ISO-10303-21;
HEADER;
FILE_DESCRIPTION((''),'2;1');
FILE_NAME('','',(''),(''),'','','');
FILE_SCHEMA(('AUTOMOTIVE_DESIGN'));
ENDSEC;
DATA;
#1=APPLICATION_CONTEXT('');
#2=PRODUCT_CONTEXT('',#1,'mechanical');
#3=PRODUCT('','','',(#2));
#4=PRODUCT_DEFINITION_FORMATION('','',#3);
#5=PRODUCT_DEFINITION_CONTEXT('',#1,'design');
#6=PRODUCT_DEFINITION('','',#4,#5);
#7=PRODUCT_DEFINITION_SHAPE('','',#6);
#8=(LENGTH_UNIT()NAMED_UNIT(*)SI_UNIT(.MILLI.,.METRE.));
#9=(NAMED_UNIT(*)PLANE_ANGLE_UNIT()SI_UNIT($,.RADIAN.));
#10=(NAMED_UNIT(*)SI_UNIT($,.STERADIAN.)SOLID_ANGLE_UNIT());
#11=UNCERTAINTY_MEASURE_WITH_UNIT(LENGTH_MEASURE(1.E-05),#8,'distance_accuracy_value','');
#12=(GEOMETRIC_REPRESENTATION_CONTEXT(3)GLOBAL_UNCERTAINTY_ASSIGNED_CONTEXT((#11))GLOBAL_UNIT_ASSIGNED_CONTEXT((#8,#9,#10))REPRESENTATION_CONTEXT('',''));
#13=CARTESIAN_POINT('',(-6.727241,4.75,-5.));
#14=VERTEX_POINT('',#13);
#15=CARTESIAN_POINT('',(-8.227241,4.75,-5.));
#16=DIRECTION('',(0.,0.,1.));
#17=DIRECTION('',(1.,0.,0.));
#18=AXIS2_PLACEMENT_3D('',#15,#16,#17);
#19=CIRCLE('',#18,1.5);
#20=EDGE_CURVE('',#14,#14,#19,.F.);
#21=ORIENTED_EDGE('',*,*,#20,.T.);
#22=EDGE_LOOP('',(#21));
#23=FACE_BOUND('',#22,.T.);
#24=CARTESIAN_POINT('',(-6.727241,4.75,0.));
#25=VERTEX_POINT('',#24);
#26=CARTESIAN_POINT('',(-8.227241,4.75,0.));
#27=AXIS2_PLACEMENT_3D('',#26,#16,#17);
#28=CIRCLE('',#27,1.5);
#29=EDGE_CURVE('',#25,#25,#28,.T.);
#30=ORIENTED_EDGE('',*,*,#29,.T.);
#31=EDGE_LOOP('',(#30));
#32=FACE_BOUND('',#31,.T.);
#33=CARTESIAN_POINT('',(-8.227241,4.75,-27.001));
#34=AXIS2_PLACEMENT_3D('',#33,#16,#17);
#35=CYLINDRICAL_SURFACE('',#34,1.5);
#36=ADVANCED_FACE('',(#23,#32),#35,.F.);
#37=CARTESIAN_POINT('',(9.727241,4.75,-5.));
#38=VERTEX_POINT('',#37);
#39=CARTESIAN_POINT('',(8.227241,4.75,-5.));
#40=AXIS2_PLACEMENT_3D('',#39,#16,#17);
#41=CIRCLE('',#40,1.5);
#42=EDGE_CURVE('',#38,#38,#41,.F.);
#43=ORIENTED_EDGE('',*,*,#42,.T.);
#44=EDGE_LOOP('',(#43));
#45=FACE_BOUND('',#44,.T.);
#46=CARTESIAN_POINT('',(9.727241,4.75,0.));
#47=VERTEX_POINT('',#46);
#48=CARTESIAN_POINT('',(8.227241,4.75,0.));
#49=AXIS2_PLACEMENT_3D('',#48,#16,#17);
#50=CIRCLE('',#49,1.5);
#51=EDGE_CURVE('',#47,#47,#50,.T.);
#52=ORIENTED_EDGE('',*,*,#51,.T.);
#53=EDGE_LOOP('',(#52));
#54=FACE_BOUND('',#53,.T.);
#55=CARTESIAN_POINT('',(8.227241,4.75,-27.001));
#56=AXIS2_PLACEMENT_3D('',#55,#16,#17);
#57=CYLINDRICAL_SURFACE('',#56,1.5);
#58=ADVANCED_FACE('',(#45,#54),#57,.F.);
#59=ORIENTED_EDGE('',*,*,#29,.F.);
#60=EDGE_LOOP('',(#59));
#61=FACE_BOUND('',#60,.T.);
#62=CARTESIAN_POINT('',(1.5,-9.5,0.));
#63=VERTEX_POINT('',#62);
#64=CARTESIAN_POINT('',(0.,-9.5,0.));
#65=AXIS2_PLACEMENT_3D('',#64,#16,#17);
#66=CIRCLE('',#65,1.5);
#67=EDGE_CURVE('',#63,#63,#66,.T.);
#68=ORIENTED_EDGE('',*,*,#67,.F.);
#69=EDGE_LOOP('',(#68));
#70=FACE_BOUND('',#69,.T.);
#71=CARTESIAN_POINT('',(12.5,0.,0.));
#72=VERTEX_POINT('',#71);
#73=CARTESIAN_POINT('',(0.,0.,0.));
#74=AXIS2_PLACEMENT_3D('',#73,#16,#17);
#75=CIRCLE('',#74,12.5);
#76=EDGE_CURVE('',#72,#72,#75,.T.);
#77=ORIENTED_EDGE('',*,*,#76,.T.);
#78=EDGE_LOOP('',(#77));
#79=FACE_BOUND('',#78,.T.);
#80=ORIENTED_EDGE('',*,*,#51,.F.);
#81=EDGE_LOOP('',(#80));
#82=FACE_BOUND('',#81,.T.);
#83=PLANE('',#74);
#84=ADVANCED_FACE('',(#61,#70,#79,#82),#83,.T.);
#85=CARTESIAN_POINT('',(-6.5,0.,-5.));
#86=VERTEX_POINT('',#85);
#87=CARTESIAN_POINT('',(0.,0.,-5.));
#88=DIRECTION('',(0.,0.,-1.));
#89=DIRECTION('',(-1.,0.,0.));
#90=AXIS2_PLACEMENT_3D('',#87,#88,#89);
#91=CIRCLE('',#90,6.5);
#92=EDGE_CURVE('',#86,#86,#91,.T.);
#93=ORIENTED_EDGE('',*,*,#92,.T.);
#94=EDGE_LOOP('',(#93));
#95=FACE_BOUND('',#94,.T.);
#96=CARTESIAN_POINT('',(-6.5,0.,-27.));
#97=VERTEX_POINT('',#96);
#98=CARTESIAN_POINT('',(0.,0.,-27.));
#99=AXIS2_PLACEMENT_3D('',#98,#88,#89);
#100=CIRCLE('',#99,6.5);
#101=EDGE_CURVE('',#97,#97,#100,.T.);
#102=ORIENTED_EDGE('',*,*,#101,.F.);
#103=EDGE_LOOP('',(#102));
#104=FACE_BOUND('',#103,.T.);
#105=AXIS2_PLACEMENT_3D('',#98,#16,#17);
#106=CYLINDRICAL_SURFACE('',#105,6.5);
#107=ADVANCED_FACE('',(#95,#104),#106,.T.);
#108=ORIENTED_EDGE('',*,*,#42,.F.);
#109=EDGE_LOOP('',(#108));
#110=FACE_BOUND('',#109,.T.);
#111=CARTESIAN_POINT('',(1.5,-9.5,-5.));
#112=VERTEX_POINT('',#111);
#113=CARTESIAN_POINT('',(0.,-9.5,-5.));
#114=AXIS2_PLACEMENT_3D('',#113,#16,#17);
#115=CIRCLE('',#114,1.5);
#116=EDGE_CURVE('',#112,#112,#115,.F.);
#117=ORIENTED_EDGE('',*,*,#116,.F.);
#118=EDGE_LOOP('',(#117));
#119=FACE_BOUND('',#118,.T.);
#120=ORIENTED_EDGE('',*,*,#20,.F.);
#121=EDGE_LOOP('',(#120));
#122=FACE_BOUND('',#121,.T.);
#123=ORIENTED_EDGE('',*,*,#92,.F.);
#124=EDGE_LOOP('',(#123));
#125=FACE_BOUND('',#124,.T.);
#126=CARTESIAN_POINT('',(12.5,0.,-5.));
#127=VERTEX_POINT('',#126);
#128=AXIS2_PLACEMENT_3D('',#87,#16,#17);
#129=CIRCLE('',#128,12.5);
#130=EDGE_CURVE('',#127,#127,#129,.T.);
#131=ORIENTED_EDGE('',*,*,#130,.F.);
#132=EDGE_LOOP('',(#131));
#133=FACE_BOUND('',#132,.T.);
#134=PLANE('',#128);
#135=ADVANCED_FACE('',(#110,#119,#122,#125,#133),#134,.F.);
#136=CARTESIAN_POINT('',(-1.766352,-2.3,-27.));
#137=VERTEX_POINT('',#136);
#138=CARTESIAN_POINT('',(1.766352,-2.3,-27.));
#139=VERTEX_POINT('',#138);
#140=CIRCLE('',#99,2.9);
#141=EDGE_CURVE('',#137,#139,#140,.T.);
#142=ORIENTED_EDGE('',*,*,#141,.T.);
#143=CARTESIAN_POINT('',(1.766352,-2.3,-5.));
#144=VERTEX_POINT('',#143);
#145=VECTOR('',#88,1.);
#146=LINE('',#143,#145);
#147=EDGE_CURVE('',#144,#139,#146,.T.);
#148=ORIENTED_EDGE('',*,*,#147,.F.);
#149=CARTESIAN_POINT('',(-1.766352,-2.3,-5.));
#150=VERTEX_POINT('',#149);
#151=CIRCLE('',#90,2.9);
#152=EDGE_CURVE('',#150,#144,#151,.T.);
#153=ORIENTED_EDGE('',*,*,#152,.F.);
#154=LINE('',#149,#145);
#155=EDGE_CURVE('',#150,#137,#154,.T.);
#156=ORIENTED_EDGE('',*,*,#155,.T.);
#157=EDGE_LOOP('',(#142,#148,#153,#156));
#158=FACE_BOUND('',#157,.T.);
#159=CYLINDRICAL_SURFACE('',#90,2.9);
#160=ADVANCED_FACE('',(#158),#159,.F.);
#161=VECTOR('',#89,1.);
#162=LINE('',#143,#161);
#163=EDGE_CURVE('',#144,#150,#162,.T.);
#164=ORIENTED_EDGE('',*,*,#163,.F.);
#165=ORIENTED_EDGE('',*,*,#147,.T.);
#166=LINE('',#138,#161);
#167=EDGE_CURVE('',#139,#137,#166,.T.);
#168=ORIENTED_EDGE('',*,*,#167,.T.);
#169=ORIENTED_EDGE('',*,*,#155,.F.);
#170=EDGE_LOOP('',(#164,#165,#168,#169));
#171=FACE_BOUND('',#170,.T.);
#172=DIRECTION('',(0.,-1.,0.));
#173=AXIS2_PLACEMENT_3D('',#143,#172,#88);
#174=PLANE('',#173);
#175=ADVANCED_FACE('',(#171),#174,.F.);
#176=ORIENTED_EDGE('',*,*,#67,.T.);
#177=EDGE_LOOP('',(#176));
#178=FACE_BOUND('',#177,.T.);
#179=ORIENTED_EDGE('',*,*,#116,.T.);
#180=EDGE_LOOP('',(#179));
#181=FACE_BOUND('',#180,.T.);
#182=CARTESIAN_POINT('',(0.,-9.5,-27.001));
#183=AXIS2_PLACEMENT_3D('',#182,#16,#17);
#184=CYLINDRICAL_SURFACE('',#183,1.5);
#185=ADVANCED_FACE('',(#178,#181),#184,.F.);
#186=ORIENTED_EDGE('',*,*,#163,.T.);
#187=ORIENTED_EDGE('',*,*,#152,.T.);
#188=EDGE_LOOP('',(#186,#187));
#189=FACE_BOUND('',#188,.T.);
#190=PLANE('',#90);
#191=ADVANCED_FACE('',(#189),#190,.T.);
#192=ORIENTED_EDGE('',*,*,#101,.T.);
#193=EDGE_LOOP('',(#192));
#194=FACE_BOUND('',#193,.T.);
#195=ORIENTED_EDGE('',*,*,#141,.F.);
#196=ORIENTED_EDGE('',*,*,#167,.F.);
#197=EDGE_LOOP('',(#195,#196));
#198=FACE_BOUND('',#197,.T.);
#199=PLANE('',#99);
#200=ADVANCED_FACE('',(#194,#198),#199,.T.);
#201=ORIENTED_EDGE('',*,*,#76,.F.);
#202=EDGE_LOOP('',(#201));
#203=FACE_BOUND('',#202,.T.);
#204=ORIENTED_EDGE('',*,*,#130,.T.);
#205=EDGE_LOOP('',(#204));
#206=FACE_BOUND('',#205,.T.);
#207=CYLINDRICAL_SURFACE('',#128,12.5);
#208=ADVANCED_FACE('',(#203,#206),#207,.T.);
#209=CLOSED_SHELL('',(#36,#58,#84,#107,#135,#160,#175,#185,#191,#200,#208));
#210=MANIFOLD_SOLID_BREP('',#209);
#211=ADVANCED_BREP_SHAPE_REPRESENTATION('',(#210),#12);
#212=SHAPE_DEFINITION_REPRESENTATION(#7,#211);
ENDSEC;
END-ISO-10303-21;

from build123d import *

# Parameters (mm, degrees)
SKETCH1_R           = 12.5
BOSS_EXTRUDE1_DEPTH = 5
SKETCH2_R           = 6.5
BOSS_EXTRUDE2_DEPTH = 22
CUT_EXTRUDE1_DEPTH  = 22
CUT_EXTRUDE2_REACH  = 34.272
SKETCH4_R           = 1.5


with BuildPart() as part:
    # Sketch1 → Boss-Extrude1 (new body)
    with BuildSketch(Plane.XY):
        Circle(SKETCH1_R)
    extrude(amount=-BOSS_EXTRUDE1_DEPTH)

    # Sketch2 → Boss-Extrude2 (add)
    with BuildSketch(Plane(origin=(0, 0, -5), x_dir=(-1, 0, 0), z_dir=(0, 0, -1))):
        Circle(SKETCH2_R)
    extrude(amount=BOSS_EXTRUDE2_DEPTH)

    # Sketch3 → Cut-Extrude1 (cut)
    with BuildSketch(Plane(origin=(0, 0, -27), x_dir=(-1, 0, 0), z_dir=(0, 0, -1))):
        with BuildLine():
            Line((-1.766352173, -2.3), (1.766352173, -2.3))
            ThreePointArc((1.766352173, -2.3), (0, 2.9), (-1.766352173, -2.3))
        make_face()
    extrude(amount=-CUT_EXTRUDE1_DEPTH, mode=Mode.SUBTRACT)

    # Sketch4 → Cut-Extrude2 (cut, up to next)
    with BuildSketch(Plane.XY, mode=Mode.PRIVATE) as cut_extrude2_sk1:
        with Locations((-8.227241336, 4.75)):
            Circle(SKETCH4_R)
    cut_extrude2_tool1 = extrude(cut_extrude2_sk1.sketch, amount=-CUT_EXTRUDE2_REACH, mode=Mode.PRIVATE) & part.part
    # Sketch4 → Cut-Extrude2 (cut, up to next)
    with BuildSketch(Plane.XY, mode=Mode.PRIVATE) as cut_extrude2_sk2:
        with Locations((8.227241336, 4.75)):
            Circle(SKETCH4_R)
    cut_extrude2_tool2 = extrude(cut_extrude2_sk2.sketch, amount=-CUT_EXTRUDE2_REACH, mode=Mode.PRIVATE) & part.part
    # Sketch4 → Cut-Extrude2 (cut, up to next)
    with BuildSketch(Plane.XY, mode=Mode.PRIVATE) as cut_extrude2_sk3:
        with Locations((0, -9.5)):
            Circle(SKETCH4_R)
    cut_extrude2_tool3 = extrude(cut_extrude2_sk3.sketch, amount=-CUT_EXTRUDE2_REACH, mode=Mode.PRIVATE) & part.part
    add(cut_extrude2_tool1.solids().sort_by_distance((-8.227241, 4.75, 0))[0], mode=Mode.SUBTRACT)
    add(cut_extrude2_tool2.solids().sort_by_distance((8.227241, 4.75, 0))[0], mode=Mode.SUBTRACT)
    add(cut_extrude2_tool3.solids().sort_by_distance((0, -9.5, 0))[0], mode=Mode.SUBTRACT)


solid = part.part
